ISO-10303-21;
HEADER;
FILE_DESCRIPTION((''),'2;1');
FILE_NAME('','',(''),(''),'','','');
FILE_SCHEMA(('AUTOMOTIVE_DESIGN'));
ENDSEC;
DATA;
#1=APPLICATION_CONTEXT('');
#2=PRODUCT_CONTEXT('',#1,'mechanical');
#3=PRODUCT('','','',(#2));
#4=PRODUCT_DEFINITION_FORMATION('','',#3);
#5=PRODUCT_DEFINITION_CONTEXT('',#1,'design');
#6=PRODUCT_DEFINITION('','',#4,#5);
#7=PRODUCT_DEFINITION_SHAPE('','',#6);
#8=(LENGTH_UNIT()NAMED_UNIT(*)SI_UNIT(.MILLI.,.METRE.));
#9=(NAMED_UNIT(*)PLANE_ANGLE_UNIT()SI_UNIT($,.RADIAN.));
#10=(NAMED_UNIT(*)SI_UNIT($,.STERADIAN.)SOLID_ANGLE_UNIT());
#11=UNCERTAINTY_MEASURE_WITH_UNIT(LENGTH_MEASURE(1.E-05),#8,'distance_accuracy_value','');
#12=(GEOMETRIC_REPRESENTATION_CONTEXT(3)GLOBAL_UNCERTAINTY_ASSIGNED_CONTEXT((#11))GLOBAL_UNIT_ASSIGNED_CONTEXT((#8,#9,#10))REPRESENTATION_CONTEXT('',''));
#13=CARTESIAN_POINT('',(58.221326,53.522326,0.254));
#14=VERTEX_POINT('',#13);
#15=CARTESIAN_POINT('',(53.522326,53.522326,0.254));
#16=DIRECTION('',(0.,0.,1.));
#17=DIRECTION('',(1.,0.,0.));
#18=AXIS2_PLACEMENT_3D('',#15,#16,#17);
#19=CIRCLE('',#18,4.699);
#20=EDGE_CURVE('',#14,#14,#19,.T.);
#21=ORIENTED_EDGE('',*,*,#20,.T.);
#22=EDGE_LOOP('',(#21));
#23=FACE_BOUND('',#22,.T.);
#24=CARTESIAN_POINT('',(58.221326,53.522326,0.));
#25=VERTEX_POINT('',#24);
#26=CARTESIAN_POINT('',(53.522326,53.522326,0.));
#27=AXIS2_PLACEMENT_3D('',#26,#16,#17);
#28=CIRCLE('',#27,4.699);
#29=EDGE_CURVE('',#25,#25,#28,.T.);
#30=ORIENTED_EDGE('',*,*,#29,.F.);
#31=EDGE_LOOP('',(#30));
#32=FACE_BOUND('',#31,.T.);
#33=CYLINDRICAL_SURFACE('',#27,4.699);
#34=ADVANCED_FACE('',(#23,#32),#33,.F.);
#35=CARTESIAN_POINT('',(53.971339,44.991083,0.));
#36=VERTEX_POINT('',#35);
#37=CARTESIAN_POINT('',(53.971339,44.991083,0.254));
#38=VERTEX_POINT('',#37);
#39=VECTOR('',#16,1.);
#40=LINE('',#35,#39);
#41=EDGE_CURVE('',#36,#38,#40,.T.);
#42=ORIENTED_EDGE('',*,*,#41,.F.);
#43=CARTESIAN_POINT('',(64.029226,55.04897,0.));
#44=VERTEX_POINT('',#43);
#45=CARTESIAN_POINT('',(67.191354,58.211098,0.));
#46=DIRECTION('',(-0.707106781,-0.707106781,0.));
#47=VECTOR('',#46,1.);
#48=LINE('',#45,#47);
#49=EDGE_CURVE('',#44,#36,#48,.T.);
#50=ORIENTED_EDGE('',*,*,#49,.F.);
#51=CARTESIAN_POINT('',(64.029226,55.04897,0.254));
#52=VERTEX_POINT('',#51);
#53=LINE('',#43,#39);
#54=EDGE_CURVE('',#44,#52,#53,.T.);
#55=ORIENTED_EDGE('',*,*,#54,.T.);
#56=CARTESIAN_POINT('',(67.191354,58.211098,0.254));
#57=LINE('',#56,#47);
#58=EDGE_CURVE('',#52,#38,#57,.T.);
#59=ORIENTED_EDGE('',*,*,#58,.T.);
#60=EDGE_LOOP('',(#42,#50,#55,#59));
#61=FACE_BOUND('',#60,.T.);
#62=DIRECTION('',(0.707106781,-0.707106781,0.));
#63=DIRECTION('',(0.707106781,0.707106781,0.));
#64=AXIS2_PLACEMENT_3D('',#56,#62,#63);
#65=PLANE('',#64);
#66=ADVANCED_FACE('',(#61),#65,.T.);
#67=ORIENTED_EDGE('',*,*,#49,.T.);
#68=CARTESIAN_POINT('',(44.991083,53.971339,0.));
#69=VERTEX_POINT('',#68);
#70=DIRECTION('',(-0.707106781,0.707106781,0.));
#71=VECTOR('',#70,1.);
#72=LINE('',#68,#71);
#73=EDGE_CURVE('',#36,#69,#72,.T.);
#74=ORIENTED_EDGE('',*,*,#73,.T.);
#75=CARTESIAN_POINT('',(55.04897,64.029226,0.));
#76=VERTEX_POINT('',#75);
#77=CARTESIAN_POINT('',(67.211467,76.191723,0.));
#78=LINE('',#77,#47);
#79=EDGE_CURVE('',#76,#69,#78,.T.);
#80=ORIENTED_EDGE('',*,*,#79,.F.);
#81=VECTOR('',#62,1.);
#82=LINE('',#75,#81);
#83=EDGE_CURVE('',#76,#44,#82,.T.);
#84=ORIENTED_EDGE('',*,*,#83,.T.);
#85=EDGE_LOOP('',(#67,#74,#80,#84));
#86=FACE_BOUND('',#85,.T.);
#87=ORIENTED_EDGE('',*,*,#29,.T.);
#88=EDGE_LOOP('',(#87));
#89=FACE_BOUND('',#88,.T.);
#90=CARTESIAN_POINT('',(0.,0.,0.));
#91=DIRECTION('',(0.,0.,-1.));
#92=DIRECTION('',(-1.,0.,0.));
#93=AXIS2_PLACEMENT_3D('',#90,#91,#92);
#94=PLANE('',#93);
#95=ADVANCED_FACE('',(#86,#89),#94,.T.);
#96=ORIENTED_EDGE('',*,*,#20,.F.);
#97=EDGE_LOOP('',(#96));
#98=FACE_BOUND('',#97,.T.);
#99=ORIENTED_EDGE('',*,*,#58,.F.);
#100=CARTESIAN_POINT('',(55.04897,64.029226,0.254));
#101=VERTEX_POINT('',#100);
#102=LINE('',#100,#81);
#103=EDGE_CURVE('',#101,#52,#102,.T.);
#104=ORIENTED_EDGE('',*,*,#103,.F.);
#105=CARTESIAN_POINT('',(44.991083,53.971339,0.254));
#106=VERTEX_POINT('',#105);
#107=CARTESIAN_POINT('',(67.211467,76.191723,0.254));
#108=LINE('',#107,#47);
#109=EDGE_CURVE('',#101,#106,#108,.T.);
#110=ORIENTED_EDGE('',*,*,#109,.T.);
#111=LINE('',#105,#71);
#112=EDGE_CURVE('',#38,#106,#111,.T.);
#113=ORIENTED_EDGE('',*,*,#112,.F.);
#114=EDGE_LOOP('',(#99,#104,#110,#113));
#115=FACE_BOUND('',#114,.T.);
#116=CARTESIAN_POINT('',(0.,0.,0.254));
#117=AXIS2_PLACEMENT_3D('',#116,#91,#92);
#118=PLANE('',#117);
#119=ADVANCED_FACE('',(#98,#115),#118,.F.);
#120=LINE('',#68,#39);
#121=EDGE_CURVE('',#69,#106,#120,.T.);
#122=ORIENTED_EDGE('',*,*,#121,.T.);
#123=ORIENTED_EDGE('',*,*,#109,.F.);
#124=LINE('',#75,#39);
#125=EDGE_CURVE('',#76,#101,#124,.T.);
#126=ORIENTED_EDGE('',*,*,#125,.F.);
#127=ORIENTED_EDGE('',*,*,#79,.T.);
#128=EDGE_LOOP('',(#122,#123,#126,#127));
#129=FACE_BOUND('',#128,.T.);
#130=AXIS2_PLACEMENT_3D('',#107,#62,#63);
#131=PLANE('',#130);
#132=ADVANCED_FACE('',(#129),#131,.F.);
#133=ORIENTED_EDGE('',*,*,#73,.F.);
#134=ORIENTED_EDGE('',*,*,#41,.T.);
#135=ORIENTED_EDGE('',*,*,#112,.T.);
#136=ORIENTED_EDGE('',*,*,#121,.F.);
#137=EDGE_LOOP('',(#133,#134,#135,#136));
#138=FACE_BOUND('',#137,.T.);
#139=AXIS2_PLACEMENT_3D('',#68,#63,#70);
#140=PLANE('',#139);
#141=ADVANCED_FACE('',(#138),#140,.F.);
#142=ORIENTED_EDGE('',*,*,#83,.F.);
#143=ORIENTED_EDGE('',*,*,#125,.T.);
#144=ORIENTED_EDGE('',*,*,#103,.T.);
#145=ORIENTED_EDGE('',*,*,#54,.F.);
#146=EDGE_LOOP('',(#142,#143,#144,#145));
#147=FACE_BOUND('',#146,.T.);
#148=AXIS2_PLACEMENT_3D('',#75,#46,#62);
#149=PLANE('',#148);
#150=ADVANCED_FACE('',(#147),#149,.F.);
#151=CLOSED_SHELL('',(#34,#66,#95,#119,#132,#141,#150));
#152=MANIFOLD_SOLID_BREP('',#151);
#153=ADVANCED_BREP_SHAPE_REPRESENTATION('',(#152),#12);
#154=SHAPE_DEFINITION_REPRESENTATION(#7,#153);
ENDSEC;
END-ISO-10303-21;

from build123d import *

# Parameters (mm, degrees)
BOSS_EXTRUDE1_DEPTH = 0.254
SKETCH2_R           = 4.699
CUT_EXTRUDE1_DEPTH  = 1.254
SKETCH3_W           = 2.54
SKETCH3_H           = 0.635
CUT_EXTRUDE2_DEPTH  = 1.254
SKETCH5_OUTSIDE_W   = 121.447
SKETCH5_OUTSIDE_H   = 109.618
CUT_EXTRUDE5_DEPTH  = 1.254


with BuildPart() as part:
    # Sketch1 → Boss-Extrude1 (new body)
    with BuildSketch(Plane.XY):
        with BuildLine():
            Line((67.21146711, 76.191723231), (8.696654013, 17.676910134))
            Line((8.696654013, 17.676910134), (7.228954972, 14.133571205))
            ThreePointArc((7.228954972, 14.133571205), (14.666587579, 6.075099489), (15.105587123, -4.88230096))
            Line((15.105587123, -4.88230096), (18.648926052, -6.35))
            Line((18.648926052, -6.35), (101.401368334, -6.35))
            ThreePointArc((101.401368334, -6.35), (93.866160503, 38.880636728), (67.21146711, 76.191723231))
        make_face()
        with BuildLine():
            Line((88.672924278, 6.35), (27.86051193, 6.35))
            ThreePointArc((27.86051193, 6.35), (26.399857642, 10.93517908), (24.190484974, 15.210228852))
            Line((24.190484974, 15.210228852), (67.191354125, 58.211098004))
            ThreePointArc((67.191354125, 58.211098004), (82.13289044, 34.020557137), (88.672924278, 6.35))
        make_face(mode=Mode.SUBTRACT)
    extrude(amount=BOSS_EXTRUDE1_DEPTH)

    # Sketch2 → Cut-Extrude1 (cut, through all)
    with BuildSketch(Plane.XY.offset(0.254)):
        with Locations((22.225, 0)):
            Circle(SKETCH2_R)
        with Locations((36.195, 0)):
            Circle(SKETCH2_R)
        with Locations((61.722, 0)):
            Circle(SKETCH2_R)
        with Locations((75.692, 0)):
            Circle(SKETCH2_R)
        with Locations((95.25, 0)):
            Circle(SKETCH2_R)
        with Locations((15.715448212, 15.715448212)):
            Circle(SKETCH2_R)
        with Locations((25.593729945, 25.593729945)):
            Circle(SKETCH2_R)
        with Locations((43.644044748, 43.644044748)):
            Circle(SKETCH2_R)
        with Locations((53.522326482, 53.522326482)):
            Circle(SKETCH2_R)
        with Locations((92.004434954, 24.652514046)):
            Circle(SKETCH2_R)
        with Locations((82.48891971, 47.625)):
            Circle(SKETCH2_R)
        with Locations((67.351920908, 67.351920908)):
            Circle(SKETCH2_R)
    extrude(amount=-CUT_EXTRUDE1_DEPTH, mode=Mode.SUBTRACT)

    # Sketch3 → Cut-Extrude2 (cut, through all)
    with BuildSketch(Plane.XY.offset(0.254)):
        Polygon((15.266435406, 24.246691527), (17.06248663, 26.042742751), (17.511499436, 25.593729945), (15.715448212, 23.797678721), align=None)
        Polygon((44.991083167, 53.971339288), (43.195031942, 52.175288063), (43.644044748, 51.726275257), (45.440095973, 53.522326482), align=None)
        with Locations((29.21, -6.0325)):
            Rectangle(SKETCH3_W, SKETCH3_H)
        with Locations((68.707, -6.0325)):
            Rectangle(SKETCH3_W, SKETCH3_H)
        Polygon((29.230733674, 38.210989795), (31.026784898, 40.007041019), (31.475797704, 39.558028213), (29.67974648, 37.761976989), align=None)
        Polygon((56.845021246, 65.825277367), (55.048970022, 64.029226143), (55.497982828, 63.580213337), (57.294034052, 65.376264561), align=None)
        with Locations((48.9585, -6.0325)):
            Rectangle(SKETCH3_W, SKETCH3_H)
        with Locations((85.471, -6.0325)):
            Rectangle(SKETCH3_W, SKETCH3_H)
        Polygon((99.935462164, 14.437711971), (100.266998693, 11.919442024), (101.526133667, 12.085210288), (101.194597138, 14.603480236), align=None)
        Polygon((93.765504959, 37.464305742), (94.938831965, 37.950313702), (93.966816047, 40.296967714), (92.793489041, 39.810959755), align=None)
        Polygon((79.327792988, 62.471156422), (80.874047017, 60.456038938), (81.88160576, 61.229165953), (80.33535173, 63.244283437), align=None)
        Polygon((13.593916116, 7.005422516), (14.565932035, 4.658768503), (15.739259041, 5.144776462), (14.767243123, 7.491430475), align=None)
    extrude(amount=-CUT_EXTRUDE2_DEPTH, mode=Mode.SUBTRACT)

    # Sketch5 outside → Cut-Extrude5 (cut, through all)
    with BuildSketch(Plane.XY.offset(0.254)):
        with Locations((54.4145, 34.921)):
            Rectangle(SKETCH5_OUTSIDE_W, SKETCH5_OUTSIDE_H)
        Polygon((53.971339288, 44.991083167), (64.029226143, 55.048970022), (55.048970022, 64.029226143), (44.991083167, 53.971339288), align=None, mode=Mode.SUBTRACT)
    extrude(amount=-CUT_EXTRUDE5_DEPTH, mode=Mode.SUBTRACT)


solid = part.part
